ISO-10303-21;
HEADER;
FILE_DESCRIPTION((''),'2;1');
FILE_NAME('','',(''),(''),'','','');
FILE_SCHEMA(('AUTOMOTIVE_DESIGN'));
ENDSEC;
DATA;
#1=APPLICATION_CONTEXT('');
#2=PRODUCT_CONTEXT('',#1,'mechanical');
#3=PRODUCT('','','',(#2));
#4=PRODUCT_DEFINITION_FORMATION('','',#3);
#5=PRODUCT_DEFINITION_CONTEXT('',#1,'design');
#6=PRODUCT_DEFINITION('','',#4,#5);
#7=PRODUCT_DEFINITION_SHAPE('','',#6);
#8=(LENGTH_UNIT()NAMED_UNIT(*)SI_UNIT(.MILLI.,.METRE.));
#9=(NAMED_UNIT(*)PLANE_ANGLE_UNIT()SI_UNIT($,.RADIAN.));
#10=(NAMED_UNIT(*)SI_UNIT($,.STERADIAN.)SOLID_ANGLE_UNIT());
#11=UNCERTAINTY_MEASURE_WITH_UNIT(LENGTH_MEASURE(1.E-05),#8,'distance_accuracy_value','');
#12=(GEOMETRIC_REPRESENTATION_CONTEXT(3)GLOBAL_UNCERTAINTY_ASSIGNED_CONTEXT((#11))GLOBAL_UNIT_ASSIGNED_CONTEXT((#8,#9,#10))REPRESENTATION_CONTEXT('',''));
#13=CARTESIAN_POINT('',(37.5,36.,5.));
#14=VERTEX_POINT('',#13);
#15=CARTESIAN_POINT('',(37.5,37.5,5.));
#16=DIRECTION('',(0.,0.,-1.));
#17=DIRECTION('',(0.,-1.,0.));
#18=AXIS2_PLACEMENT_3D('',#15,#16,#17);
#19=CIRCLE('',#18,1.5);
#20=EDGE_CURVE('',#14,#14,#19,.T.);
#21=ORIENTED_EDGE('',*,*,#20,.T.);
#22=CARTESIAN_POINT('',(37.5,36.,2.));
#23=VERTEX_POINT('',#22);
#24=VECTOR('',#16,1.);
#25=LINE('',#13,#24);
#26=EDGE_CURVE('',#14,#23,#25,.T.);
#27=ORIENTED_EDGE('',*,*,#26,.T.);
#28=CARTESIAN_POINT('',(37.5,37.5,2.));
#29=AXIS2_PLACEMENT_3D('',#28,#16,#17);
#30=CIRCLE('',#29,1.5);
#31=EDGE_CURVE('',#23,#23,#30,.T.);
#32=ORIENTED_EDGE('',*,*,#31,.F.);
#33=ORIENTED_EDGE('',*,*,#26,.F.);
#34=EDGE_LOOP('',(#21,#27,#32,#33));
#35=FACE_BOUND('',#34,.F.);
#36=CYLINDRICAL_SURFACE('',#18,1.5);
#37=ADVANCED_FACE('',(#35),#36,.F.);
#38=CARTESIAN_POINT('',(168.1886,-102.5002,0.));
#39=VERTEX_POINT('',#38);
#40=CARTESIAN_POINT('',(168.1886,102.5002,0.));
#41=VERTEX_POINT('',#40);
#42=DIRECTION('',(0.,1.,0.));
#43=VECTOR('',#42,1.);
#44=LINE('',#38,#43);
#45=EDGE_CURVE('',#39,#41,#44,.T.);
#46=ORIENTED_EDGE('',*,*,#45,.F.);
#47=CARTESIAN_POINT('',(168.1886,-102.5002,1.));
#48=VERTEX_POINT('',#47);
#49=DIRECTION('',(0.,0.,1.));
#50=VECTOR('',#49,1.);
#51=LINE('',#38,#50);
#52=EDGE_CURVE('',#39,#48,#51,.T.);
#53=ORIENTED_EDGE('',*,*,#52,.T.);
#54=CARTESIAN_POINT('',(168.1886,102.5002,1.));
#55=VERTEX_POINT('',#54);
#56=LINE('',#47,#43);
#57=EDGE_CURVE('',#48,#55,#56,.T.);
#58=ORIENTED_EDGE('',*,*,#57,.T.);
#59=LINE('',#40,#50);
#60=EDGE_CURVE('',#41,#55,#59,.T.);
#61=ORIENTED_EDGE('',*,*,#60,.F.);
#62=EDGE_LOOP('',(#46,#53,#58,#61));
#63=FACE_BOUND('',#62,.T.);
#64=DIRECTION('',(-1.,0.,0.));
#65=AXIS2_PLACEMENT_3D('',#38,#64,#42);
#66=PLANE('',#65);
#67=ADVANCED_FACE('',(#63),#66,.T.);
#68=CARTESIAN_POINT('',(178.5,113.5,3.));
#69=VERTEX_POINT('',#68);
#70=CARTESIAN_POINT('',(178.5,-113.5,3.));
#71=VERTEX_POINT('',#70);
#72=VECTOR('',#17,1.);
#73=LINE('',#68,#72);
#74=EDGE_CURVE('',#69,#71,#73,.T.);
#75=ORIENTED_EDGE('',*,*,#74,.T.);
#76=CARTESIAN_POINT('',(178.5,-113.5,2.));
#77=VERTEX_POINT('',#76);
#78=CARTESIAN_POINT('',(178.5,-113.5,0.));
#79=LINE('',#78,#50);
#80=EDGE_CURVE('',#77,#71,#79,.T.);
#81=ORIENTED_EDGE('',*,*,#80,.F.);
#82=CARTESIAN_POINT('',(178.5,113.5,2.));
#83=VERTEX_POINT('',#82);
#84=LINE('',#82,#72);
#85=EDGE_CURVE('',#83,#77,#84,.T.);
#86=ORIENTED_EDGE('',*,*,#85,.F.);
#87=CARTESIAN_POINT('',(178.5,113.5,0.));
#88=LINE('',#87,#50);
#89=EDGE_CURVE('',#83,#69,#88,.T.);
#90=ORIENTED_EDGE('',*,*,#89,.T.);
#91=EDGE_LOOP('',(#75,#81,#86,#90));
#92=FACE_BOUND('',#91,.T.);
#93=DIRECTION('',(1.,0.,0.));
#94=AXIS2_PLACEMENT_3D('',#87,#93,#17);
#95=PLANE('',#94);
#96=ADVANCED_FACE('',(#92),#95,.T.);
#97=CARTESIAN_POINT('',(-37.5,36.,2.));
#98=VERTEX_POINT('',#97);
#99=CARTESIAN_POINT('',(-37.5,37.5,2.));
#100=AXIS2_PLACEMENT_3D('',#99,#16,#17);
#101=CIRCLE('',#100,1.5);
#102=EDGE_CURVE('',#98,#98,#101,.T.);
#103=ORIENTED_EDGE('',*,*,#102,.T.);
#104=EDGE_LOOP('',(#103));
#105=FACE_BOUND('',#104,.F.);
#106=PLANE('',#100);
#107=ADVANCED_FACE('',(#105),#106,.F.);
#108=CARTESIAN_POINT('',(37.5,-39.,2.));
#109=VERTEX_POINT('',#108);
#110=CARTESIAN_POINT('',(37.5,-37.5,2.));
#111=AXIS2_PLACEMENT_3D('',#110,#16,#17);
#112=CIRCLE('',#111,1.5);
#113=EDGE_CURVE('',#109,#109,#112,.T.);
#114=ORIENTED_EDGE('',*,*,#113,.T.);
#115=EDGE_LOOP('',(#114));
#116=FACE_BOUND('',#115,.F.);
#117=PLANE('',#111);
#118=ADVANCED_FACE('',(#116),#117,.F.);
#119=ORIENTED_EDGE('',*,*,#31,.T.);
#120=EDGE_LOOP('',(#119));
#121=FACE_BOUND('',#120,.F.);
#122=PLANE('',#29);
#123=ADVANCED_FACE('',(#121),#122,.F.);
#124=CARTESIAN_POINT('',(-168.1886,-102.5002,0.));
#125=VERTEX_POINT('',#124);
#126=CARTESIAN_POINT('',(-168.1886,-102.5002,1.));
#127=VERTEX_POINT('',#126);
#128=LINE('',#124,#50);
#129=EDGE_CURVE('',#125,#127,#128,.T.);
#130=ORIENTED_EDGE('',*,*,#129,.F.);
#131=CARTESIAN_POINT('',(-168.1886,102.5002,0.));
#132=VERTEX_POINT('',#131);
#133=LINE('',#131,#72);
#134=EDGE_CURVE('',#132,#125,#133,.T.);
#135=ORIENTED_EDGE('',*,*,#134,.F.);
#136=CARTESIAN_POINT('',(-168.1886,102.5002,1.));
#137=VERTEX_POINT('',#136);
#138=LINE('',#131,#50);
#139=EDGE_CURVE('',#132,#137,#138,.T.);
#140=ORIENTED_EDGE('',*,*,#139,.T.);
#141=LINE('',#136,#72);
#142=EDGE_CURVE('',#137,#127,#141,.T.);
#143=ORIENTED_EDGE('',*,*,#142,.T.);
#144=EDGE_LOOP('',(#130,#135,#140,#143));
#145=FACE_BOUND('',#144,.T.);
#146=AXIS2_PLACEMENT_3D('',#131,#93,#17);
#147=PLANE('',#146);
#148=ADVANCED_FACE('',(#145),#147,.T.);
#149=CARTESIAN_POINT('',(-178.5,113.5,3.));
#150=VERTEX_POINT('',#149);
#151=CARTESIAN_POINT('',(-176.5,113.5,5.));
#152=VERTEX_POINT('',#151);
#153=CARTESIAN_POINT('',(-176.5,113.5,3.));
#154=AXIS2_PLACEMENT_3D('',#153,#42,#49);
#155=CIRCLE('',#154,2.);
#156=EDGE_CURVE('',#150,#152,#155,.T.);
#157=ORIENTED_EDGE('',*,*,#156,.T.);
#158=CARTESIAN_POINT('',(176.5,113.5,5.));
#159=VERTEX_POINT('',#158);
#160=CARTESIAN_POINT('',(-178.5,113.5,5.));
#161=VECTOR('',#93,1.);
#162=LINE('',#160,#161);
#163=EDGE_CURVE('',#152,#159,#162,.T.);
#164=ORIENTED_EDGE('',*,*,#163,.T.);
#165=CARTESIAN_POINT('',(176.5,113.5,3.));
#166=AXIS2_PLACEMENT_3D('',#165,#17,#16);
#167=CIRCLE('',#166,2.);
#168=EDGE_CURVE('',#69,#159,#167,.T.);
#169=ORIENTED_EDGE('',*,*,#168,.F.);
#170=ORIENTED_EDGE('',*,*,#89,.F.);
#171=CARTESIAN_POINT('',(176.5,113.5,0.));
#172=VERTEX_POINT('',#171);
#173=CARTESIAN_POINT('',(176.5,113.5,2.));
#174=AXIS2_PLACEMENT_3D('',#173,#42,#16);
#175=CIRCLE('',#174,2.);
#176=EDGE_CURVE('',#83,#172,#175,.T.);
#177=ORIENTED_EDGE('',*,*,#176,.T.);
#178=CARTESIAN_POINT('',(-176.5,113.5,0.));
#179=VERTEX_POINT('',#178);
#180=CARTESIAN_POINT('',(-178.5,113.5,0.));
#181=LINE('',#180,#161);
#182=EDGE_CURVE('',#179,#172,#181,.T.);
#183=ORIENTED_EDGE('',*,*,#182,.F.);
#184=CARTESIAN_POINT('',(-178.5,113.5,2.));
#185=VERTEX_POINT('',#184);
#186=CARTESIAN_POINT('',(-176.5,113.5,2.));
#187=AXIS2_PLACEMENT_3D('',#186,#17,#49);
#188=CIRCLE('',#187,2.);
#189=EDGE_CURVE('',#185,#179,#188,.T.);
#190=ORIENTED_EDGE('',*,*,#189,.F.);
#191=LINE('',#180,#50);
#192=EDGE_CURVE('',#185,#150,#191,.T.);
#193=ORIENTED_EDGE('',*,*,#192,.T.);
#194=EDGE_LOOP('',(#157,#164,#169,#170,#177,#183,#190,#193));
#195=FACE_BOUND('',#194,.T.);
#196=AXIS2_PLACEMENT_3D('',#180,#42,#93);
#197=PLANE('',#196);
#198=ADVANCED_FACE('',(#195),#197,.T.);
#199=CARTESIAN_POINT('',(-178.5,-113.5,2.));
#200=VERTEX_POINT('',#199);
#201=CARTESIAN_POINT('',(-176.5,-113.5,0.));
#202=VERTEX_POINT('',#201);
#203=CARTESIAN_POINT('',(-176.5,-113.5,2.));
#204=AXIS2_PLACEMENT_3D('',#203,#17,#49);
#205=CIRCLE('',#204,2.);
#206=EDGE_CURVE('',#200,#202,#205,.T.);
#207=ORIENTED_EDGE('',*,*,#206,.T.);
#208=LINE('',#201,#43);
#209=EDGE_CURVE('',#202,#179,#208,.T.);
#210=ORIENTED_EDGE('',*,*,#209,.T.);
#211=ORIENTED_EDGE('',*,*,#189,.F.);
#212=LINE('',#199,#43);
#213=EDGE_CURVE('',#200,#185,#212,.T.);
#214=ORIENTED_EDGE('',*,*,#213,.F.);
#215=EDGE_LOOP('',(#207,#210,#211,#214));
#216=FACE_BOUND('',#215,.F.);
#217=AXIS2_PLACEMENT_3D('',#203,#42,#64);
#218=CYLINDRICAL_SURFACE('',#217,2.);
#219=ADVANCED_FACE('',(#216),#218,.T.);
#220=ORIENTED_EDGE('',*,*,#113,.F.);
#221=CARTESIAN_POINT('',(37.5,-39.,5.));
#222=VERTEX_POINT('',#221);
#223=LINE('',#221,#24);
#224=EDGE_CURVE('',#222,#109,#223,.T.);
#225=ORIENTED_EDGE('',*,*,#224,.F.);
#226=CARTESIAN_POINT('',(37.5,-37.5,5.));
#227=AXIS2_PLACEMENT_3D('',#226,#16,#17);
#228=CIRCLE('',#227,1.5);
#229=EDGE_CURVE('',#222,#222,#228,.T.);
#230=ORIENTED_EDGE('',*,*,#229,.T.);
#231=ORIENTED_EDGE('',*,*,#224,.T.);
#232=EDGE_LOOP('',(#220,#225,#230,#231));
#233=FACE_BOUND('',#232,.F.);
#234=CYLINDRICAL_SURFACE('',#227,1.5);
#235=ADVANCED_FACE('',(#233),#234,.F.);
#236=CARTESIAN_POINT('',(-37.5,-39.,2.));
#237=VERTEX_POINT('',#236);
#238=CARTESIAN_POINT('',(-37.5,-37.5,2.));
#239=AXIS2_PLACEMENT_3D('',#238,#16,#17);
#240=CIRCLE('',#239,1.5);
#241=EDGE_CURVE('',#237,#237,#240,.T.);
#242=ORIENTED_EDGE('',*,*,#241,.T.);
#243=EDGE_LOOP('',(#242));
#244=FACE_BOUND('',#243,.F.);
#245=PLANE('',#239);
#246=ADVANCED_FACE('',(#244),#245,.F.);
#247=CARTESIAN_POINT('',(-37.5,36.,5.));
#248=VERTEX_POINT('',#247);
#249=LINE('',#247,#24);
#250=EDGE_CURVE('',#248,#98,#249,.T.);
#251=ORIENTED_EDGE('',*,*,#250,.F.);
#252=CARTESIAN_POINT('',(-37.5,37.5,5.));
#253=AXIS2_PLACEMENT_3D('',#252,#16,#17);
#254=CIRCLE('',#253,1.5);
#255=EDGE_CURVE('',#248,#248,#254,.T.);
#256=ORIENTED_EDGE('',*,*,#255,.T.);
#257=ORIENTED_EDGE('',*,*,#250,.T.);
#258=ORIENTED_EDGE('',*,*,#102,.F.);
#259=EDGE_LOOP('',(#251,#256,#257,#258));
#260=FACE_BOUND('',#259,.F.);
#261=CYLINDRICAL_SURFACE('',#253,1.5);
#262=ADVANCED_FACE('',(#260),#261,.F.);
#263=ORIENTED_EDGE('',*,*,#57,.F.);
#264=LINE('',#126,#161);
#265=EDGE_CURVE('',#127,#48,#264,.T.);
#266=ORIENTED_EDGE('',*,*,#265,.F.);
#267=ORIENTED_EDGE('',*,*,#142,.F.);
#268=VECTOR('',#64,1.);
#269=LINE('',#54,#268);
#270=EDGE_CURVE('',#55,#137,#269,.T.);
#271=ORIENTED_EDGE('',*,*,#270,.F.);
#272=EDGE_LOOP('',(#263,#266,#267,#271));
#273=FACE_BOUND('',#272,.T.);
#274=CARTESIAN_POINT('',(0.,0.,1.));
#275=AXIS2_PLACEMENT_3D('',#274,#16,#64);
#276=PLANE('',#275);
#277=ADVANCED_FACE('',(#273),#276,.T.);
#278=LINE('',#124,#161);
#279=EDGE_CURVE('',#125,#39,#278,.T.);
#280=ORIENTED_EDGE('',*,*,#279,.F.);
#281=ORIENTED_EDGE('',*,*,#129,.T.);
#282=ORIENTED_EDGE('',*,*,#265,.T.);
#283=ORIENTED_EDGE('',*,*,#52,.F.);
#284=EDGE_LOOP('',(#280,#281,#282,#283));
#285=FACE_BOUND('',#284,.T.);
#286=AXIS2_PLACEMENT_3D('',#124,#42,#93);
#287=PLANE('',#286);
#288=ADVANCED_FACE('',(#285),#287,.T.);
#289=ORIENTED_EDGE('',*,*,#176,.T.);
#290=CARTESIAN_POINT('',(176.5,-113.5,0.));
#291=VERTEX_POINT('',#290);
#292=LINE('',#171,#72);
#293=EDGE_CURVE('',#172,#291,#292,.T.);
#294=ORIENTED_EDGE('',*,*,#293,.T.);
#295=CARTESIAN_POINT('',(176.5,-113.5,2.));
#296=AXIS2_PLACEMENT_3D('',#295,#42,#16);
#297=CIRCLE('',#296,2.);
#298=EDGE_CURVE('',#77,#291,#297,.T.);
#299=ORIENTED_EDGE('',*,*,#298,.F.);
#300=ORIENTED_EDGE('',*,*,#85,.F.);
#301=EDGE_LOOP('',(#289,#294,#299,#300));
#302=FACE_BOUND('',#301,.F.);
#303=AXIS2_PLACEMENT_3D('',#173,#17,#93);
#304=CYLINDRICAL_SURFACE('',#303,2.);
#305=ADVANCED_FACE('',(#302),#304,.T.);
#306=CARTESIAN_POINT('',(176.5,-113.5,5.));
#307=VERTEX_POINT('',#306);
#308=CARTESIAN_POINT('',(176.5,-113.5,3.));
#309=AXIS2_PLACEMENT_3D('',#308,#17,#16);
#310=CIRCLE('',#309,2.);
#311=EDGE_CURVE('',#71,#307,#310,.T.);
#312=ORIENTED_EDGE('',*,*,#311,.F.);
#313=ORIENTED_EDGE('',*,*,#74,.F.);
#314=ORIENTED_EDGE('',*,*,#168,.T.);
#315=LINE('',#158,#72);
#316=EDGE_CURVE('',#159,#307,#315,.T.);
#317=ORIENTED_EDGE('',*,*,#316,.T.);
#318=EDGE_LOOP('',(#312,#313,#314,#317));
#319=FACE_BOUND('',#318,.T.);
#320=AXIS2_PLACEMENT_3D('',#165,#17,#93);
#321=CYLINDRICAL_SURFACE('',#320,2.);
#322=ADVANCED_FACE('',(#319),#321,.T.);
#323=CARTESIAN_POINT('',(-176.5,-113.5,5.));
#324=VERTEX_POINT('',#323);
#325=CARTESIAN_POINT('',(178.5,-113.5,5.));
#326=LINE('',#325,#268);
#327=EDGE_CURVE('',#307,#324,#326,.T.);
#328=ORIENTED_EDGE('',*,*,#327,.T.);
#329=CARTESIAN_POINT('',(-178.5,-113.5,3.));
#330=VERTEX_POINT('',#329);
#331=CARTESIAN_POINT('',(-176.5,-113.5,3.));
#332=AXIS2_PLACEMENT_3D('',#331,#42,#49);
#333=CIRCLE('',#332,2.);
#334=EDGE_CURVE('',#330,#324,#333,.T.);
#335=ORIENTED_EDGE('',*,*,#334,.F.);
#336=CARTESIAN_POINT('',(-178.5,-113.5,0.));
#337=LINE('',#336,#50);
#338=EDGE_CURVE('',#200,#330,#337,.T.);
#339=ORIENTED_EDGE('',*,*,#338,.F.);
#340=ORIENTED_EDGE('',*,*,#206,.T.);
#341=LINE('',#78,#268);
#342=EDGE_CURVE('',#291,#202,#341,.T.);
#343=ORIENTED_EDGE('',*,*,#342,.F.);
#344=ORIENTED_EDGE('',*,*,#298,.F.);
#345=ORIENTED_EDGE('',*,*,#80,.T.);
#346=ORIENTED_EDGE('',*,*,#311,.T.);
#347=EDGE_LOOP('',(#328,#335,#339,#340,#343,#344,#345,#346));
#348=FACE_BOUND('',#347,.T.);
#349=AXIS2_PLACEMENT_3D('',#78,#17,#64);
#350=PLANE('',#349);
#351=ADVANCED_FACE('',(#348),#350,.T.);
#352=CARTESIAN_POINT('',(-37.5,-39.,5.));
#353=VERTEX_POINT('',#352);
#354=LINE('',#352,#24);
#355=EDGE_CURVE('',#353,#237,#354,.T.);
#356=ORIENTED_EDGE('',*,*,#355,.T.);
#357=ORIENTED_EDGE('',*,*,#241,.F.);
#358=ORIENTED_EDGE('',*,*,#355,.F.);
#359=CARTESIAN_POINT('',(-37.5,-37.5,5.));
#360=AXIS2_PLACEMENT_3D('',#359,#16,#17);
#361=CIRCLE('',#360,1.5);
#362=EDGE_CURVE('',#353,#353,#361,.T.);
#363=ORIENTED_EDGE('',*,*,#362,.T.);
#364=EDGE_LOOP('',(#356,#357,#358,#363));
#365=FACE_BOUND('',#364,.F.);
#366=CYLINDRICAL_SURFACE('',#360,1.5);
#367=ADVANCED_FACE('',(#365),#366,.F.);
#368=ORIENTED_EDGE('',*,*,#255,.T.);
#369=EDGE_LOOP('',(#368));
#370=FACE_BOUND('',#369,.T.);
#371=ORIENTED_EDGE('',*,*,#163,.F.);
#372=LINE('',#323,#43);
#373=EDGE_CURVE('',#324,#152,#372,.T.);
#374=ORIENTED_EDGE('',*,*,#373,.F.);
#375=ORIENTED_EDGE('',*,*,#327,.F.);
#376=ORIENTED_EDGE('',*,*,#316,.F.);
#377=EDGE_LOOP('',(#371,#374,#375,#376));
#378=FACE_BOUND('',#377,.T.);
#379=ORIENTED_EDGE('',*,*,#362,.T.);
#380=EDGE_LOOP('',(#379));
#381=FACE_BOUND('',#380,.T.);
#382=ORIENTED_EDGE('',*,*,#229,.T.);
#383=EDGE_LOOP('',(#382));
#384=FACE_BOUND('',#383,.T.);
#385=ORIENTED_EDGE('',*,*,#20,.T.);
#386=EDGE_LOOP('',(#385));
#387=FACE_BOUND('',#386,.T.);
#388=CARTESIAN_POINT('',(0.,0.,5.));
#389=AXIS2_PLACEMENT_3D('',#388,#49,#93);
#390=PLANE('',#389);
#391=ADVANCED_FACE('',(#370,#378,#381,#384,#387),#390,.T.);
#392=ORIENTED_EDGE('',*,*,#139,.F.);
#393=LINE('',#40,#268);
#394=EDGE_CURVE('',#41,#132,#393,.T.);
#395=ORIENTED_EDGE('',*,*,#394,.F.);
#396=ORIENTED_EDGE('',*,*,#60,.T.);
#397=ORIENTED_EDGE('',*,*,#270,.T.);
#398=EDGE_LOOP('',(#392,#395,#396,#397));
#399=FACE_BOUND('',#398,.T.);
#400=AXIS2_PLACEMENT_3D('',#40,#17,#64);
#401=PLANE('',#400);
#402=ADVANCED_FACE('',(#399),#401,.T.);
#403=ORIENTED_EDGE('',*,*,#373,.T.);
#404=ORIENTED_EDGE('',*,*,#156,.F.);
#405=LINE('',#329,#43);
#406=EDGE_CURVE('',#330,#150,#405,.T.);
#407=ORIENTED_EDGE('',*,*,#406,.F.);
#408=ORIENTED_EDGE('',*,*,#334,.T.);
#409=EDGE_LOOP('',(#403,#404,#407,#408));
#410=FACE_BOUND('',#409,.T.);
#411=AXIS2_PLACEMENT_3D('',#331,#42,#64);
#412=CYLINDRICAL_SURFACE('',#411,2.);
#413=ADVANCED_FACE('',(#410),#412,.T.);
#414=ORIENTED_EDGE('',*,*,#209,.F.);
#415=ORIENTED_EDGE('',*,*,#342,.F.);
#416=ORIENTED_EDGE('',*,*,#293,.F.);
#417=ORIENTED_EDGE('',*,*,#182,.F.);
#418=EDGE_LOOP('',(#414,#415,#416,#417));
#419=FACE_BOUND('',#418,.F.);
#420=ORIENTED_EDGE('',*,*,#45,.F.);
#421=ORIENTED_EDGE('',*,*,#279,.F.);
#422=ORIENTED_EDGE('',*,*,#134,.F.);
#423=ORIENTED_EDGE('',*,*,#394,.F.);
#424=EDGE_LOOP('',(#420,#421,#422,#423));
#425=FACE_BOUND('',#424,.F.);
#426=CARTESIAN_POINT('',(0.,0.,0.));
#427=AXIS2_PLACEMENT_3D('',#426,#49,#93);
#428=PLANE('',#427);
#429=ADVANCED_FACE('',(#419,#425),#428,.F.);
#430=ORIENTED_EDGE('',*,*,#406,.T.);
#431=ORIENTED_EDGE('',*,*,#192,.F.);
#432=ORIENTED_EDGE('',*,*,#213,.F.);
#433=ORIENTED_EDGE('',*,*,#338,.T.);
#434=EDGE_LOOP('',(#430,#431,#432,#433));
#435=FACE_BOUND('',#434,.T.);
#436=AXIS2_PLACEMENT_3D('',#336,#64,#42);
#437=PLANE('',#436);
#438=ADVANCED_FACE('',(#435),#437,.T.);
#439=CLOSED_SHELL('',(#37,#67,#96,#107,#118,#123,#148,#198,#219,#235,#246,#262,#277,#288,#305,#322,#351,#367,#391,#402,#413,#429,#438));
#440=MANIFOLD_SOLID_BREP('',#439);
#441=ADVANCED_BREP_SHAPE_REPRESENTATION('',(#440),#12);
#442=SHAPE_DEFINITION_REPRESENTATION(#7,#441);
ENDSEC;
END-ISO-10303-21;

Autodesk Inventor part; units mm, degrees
ref_plane "YZ Plane" through (0, 0, 0) normal (1, 0, 0) x (0, 1, 0)
ref_plane "XZ Plane" through (0, 0, 0) normal (0, 1, 0) x (-1, 0, 0)
ref_plane "XY Plane" through (0, 0, 0) normal (0, 0, 1) x (1, 0, 0)
sketch "Sketch1" plane through (0, 0, 0) normal (0, 0, 1) x (1, 0, 0)
  line L0 (178.5, -113.5) -> (-178.5, -113.5)
  line L1 (-178.5, -113.5) -> (-178.5, 113.5)
  line L2 (-178.5, 113.5) -> (178.5, 113.5)
  line L3 (178.5, 113.5) -> (178.5, -113.5)
  line L4 (178.5, -113.5) -> (-178.5, 113.5) construction
  line L5 (-178.5, -113.5) -> (178.5, 113.5) construction
  point P0 (0, 0)
  dimension "d0" = 357
  dimension "d1" = 227
extrude "Extrusion1" add sketch "Sketch1" along normal blind 5
sketch "Sketch2" plane through (0, 0, 5) normal (0, 0, 1) x (1, 0, 0)
  line L0 (37.5, -37.5) -> (-37.5, -37.5) construction
  line L1 (-37.5, -37.5) -> (-37.5, 37.5) construction
  line L2 (-37.5, 37.5) -> (37.5, 37.5) construction
  line L3 (37.5, 37.5) -> (37.5, -37.5) construction
  line L4 (37.5, -37.5) -> (-37.5, 37.5) construction
  line L5 (-37.5, -37.5) -> (37.5, 37.5) construction
  point P0 (0, 0)
  dimension "d4" = 75
  dimension "d5" = 75
hole "Hole1" at (-37.5, 37.5, 5) at (37.5, 37.5, 5) at (37.5, -37.5, 5) at (-37.5, -37.5, 5) direction (0, 0, -1) diameter 3 depth 3
fillet "Fillet1" radius 2 4 edges at (-178.5, 0, 0) (-178.5, 0, 5) (178.5, 0, 5) (178.5, 0, 0)
sketch "Sketch3" plane through (0, 0, 0) normal (0, 0, -1) x (-1, 0, 0)
  line L0 (168.1886, -102.5002) -> (-168.1886, -102.5002)
  line L1 (-168.1886, -102.5002) -> (-168.1886, 102.5002)
  line L2 (-168.1886, 102.5002) -> (168.1886, 102.5002)
  line L3 (168.1886, 102.5002) -> (168.1886, -102.5002)
  line L4 (168.1886, -102.5002) -> (-168.1886, 102.5002) construction
  line L5 (-168.1886, -102.5002) -> (168.1886, 102.5002) construction
  point P0 (0, 0)
extrude "Extrusion2" cut sketch "Sketch3" against normal blind 1
properties part number "Monitor"
